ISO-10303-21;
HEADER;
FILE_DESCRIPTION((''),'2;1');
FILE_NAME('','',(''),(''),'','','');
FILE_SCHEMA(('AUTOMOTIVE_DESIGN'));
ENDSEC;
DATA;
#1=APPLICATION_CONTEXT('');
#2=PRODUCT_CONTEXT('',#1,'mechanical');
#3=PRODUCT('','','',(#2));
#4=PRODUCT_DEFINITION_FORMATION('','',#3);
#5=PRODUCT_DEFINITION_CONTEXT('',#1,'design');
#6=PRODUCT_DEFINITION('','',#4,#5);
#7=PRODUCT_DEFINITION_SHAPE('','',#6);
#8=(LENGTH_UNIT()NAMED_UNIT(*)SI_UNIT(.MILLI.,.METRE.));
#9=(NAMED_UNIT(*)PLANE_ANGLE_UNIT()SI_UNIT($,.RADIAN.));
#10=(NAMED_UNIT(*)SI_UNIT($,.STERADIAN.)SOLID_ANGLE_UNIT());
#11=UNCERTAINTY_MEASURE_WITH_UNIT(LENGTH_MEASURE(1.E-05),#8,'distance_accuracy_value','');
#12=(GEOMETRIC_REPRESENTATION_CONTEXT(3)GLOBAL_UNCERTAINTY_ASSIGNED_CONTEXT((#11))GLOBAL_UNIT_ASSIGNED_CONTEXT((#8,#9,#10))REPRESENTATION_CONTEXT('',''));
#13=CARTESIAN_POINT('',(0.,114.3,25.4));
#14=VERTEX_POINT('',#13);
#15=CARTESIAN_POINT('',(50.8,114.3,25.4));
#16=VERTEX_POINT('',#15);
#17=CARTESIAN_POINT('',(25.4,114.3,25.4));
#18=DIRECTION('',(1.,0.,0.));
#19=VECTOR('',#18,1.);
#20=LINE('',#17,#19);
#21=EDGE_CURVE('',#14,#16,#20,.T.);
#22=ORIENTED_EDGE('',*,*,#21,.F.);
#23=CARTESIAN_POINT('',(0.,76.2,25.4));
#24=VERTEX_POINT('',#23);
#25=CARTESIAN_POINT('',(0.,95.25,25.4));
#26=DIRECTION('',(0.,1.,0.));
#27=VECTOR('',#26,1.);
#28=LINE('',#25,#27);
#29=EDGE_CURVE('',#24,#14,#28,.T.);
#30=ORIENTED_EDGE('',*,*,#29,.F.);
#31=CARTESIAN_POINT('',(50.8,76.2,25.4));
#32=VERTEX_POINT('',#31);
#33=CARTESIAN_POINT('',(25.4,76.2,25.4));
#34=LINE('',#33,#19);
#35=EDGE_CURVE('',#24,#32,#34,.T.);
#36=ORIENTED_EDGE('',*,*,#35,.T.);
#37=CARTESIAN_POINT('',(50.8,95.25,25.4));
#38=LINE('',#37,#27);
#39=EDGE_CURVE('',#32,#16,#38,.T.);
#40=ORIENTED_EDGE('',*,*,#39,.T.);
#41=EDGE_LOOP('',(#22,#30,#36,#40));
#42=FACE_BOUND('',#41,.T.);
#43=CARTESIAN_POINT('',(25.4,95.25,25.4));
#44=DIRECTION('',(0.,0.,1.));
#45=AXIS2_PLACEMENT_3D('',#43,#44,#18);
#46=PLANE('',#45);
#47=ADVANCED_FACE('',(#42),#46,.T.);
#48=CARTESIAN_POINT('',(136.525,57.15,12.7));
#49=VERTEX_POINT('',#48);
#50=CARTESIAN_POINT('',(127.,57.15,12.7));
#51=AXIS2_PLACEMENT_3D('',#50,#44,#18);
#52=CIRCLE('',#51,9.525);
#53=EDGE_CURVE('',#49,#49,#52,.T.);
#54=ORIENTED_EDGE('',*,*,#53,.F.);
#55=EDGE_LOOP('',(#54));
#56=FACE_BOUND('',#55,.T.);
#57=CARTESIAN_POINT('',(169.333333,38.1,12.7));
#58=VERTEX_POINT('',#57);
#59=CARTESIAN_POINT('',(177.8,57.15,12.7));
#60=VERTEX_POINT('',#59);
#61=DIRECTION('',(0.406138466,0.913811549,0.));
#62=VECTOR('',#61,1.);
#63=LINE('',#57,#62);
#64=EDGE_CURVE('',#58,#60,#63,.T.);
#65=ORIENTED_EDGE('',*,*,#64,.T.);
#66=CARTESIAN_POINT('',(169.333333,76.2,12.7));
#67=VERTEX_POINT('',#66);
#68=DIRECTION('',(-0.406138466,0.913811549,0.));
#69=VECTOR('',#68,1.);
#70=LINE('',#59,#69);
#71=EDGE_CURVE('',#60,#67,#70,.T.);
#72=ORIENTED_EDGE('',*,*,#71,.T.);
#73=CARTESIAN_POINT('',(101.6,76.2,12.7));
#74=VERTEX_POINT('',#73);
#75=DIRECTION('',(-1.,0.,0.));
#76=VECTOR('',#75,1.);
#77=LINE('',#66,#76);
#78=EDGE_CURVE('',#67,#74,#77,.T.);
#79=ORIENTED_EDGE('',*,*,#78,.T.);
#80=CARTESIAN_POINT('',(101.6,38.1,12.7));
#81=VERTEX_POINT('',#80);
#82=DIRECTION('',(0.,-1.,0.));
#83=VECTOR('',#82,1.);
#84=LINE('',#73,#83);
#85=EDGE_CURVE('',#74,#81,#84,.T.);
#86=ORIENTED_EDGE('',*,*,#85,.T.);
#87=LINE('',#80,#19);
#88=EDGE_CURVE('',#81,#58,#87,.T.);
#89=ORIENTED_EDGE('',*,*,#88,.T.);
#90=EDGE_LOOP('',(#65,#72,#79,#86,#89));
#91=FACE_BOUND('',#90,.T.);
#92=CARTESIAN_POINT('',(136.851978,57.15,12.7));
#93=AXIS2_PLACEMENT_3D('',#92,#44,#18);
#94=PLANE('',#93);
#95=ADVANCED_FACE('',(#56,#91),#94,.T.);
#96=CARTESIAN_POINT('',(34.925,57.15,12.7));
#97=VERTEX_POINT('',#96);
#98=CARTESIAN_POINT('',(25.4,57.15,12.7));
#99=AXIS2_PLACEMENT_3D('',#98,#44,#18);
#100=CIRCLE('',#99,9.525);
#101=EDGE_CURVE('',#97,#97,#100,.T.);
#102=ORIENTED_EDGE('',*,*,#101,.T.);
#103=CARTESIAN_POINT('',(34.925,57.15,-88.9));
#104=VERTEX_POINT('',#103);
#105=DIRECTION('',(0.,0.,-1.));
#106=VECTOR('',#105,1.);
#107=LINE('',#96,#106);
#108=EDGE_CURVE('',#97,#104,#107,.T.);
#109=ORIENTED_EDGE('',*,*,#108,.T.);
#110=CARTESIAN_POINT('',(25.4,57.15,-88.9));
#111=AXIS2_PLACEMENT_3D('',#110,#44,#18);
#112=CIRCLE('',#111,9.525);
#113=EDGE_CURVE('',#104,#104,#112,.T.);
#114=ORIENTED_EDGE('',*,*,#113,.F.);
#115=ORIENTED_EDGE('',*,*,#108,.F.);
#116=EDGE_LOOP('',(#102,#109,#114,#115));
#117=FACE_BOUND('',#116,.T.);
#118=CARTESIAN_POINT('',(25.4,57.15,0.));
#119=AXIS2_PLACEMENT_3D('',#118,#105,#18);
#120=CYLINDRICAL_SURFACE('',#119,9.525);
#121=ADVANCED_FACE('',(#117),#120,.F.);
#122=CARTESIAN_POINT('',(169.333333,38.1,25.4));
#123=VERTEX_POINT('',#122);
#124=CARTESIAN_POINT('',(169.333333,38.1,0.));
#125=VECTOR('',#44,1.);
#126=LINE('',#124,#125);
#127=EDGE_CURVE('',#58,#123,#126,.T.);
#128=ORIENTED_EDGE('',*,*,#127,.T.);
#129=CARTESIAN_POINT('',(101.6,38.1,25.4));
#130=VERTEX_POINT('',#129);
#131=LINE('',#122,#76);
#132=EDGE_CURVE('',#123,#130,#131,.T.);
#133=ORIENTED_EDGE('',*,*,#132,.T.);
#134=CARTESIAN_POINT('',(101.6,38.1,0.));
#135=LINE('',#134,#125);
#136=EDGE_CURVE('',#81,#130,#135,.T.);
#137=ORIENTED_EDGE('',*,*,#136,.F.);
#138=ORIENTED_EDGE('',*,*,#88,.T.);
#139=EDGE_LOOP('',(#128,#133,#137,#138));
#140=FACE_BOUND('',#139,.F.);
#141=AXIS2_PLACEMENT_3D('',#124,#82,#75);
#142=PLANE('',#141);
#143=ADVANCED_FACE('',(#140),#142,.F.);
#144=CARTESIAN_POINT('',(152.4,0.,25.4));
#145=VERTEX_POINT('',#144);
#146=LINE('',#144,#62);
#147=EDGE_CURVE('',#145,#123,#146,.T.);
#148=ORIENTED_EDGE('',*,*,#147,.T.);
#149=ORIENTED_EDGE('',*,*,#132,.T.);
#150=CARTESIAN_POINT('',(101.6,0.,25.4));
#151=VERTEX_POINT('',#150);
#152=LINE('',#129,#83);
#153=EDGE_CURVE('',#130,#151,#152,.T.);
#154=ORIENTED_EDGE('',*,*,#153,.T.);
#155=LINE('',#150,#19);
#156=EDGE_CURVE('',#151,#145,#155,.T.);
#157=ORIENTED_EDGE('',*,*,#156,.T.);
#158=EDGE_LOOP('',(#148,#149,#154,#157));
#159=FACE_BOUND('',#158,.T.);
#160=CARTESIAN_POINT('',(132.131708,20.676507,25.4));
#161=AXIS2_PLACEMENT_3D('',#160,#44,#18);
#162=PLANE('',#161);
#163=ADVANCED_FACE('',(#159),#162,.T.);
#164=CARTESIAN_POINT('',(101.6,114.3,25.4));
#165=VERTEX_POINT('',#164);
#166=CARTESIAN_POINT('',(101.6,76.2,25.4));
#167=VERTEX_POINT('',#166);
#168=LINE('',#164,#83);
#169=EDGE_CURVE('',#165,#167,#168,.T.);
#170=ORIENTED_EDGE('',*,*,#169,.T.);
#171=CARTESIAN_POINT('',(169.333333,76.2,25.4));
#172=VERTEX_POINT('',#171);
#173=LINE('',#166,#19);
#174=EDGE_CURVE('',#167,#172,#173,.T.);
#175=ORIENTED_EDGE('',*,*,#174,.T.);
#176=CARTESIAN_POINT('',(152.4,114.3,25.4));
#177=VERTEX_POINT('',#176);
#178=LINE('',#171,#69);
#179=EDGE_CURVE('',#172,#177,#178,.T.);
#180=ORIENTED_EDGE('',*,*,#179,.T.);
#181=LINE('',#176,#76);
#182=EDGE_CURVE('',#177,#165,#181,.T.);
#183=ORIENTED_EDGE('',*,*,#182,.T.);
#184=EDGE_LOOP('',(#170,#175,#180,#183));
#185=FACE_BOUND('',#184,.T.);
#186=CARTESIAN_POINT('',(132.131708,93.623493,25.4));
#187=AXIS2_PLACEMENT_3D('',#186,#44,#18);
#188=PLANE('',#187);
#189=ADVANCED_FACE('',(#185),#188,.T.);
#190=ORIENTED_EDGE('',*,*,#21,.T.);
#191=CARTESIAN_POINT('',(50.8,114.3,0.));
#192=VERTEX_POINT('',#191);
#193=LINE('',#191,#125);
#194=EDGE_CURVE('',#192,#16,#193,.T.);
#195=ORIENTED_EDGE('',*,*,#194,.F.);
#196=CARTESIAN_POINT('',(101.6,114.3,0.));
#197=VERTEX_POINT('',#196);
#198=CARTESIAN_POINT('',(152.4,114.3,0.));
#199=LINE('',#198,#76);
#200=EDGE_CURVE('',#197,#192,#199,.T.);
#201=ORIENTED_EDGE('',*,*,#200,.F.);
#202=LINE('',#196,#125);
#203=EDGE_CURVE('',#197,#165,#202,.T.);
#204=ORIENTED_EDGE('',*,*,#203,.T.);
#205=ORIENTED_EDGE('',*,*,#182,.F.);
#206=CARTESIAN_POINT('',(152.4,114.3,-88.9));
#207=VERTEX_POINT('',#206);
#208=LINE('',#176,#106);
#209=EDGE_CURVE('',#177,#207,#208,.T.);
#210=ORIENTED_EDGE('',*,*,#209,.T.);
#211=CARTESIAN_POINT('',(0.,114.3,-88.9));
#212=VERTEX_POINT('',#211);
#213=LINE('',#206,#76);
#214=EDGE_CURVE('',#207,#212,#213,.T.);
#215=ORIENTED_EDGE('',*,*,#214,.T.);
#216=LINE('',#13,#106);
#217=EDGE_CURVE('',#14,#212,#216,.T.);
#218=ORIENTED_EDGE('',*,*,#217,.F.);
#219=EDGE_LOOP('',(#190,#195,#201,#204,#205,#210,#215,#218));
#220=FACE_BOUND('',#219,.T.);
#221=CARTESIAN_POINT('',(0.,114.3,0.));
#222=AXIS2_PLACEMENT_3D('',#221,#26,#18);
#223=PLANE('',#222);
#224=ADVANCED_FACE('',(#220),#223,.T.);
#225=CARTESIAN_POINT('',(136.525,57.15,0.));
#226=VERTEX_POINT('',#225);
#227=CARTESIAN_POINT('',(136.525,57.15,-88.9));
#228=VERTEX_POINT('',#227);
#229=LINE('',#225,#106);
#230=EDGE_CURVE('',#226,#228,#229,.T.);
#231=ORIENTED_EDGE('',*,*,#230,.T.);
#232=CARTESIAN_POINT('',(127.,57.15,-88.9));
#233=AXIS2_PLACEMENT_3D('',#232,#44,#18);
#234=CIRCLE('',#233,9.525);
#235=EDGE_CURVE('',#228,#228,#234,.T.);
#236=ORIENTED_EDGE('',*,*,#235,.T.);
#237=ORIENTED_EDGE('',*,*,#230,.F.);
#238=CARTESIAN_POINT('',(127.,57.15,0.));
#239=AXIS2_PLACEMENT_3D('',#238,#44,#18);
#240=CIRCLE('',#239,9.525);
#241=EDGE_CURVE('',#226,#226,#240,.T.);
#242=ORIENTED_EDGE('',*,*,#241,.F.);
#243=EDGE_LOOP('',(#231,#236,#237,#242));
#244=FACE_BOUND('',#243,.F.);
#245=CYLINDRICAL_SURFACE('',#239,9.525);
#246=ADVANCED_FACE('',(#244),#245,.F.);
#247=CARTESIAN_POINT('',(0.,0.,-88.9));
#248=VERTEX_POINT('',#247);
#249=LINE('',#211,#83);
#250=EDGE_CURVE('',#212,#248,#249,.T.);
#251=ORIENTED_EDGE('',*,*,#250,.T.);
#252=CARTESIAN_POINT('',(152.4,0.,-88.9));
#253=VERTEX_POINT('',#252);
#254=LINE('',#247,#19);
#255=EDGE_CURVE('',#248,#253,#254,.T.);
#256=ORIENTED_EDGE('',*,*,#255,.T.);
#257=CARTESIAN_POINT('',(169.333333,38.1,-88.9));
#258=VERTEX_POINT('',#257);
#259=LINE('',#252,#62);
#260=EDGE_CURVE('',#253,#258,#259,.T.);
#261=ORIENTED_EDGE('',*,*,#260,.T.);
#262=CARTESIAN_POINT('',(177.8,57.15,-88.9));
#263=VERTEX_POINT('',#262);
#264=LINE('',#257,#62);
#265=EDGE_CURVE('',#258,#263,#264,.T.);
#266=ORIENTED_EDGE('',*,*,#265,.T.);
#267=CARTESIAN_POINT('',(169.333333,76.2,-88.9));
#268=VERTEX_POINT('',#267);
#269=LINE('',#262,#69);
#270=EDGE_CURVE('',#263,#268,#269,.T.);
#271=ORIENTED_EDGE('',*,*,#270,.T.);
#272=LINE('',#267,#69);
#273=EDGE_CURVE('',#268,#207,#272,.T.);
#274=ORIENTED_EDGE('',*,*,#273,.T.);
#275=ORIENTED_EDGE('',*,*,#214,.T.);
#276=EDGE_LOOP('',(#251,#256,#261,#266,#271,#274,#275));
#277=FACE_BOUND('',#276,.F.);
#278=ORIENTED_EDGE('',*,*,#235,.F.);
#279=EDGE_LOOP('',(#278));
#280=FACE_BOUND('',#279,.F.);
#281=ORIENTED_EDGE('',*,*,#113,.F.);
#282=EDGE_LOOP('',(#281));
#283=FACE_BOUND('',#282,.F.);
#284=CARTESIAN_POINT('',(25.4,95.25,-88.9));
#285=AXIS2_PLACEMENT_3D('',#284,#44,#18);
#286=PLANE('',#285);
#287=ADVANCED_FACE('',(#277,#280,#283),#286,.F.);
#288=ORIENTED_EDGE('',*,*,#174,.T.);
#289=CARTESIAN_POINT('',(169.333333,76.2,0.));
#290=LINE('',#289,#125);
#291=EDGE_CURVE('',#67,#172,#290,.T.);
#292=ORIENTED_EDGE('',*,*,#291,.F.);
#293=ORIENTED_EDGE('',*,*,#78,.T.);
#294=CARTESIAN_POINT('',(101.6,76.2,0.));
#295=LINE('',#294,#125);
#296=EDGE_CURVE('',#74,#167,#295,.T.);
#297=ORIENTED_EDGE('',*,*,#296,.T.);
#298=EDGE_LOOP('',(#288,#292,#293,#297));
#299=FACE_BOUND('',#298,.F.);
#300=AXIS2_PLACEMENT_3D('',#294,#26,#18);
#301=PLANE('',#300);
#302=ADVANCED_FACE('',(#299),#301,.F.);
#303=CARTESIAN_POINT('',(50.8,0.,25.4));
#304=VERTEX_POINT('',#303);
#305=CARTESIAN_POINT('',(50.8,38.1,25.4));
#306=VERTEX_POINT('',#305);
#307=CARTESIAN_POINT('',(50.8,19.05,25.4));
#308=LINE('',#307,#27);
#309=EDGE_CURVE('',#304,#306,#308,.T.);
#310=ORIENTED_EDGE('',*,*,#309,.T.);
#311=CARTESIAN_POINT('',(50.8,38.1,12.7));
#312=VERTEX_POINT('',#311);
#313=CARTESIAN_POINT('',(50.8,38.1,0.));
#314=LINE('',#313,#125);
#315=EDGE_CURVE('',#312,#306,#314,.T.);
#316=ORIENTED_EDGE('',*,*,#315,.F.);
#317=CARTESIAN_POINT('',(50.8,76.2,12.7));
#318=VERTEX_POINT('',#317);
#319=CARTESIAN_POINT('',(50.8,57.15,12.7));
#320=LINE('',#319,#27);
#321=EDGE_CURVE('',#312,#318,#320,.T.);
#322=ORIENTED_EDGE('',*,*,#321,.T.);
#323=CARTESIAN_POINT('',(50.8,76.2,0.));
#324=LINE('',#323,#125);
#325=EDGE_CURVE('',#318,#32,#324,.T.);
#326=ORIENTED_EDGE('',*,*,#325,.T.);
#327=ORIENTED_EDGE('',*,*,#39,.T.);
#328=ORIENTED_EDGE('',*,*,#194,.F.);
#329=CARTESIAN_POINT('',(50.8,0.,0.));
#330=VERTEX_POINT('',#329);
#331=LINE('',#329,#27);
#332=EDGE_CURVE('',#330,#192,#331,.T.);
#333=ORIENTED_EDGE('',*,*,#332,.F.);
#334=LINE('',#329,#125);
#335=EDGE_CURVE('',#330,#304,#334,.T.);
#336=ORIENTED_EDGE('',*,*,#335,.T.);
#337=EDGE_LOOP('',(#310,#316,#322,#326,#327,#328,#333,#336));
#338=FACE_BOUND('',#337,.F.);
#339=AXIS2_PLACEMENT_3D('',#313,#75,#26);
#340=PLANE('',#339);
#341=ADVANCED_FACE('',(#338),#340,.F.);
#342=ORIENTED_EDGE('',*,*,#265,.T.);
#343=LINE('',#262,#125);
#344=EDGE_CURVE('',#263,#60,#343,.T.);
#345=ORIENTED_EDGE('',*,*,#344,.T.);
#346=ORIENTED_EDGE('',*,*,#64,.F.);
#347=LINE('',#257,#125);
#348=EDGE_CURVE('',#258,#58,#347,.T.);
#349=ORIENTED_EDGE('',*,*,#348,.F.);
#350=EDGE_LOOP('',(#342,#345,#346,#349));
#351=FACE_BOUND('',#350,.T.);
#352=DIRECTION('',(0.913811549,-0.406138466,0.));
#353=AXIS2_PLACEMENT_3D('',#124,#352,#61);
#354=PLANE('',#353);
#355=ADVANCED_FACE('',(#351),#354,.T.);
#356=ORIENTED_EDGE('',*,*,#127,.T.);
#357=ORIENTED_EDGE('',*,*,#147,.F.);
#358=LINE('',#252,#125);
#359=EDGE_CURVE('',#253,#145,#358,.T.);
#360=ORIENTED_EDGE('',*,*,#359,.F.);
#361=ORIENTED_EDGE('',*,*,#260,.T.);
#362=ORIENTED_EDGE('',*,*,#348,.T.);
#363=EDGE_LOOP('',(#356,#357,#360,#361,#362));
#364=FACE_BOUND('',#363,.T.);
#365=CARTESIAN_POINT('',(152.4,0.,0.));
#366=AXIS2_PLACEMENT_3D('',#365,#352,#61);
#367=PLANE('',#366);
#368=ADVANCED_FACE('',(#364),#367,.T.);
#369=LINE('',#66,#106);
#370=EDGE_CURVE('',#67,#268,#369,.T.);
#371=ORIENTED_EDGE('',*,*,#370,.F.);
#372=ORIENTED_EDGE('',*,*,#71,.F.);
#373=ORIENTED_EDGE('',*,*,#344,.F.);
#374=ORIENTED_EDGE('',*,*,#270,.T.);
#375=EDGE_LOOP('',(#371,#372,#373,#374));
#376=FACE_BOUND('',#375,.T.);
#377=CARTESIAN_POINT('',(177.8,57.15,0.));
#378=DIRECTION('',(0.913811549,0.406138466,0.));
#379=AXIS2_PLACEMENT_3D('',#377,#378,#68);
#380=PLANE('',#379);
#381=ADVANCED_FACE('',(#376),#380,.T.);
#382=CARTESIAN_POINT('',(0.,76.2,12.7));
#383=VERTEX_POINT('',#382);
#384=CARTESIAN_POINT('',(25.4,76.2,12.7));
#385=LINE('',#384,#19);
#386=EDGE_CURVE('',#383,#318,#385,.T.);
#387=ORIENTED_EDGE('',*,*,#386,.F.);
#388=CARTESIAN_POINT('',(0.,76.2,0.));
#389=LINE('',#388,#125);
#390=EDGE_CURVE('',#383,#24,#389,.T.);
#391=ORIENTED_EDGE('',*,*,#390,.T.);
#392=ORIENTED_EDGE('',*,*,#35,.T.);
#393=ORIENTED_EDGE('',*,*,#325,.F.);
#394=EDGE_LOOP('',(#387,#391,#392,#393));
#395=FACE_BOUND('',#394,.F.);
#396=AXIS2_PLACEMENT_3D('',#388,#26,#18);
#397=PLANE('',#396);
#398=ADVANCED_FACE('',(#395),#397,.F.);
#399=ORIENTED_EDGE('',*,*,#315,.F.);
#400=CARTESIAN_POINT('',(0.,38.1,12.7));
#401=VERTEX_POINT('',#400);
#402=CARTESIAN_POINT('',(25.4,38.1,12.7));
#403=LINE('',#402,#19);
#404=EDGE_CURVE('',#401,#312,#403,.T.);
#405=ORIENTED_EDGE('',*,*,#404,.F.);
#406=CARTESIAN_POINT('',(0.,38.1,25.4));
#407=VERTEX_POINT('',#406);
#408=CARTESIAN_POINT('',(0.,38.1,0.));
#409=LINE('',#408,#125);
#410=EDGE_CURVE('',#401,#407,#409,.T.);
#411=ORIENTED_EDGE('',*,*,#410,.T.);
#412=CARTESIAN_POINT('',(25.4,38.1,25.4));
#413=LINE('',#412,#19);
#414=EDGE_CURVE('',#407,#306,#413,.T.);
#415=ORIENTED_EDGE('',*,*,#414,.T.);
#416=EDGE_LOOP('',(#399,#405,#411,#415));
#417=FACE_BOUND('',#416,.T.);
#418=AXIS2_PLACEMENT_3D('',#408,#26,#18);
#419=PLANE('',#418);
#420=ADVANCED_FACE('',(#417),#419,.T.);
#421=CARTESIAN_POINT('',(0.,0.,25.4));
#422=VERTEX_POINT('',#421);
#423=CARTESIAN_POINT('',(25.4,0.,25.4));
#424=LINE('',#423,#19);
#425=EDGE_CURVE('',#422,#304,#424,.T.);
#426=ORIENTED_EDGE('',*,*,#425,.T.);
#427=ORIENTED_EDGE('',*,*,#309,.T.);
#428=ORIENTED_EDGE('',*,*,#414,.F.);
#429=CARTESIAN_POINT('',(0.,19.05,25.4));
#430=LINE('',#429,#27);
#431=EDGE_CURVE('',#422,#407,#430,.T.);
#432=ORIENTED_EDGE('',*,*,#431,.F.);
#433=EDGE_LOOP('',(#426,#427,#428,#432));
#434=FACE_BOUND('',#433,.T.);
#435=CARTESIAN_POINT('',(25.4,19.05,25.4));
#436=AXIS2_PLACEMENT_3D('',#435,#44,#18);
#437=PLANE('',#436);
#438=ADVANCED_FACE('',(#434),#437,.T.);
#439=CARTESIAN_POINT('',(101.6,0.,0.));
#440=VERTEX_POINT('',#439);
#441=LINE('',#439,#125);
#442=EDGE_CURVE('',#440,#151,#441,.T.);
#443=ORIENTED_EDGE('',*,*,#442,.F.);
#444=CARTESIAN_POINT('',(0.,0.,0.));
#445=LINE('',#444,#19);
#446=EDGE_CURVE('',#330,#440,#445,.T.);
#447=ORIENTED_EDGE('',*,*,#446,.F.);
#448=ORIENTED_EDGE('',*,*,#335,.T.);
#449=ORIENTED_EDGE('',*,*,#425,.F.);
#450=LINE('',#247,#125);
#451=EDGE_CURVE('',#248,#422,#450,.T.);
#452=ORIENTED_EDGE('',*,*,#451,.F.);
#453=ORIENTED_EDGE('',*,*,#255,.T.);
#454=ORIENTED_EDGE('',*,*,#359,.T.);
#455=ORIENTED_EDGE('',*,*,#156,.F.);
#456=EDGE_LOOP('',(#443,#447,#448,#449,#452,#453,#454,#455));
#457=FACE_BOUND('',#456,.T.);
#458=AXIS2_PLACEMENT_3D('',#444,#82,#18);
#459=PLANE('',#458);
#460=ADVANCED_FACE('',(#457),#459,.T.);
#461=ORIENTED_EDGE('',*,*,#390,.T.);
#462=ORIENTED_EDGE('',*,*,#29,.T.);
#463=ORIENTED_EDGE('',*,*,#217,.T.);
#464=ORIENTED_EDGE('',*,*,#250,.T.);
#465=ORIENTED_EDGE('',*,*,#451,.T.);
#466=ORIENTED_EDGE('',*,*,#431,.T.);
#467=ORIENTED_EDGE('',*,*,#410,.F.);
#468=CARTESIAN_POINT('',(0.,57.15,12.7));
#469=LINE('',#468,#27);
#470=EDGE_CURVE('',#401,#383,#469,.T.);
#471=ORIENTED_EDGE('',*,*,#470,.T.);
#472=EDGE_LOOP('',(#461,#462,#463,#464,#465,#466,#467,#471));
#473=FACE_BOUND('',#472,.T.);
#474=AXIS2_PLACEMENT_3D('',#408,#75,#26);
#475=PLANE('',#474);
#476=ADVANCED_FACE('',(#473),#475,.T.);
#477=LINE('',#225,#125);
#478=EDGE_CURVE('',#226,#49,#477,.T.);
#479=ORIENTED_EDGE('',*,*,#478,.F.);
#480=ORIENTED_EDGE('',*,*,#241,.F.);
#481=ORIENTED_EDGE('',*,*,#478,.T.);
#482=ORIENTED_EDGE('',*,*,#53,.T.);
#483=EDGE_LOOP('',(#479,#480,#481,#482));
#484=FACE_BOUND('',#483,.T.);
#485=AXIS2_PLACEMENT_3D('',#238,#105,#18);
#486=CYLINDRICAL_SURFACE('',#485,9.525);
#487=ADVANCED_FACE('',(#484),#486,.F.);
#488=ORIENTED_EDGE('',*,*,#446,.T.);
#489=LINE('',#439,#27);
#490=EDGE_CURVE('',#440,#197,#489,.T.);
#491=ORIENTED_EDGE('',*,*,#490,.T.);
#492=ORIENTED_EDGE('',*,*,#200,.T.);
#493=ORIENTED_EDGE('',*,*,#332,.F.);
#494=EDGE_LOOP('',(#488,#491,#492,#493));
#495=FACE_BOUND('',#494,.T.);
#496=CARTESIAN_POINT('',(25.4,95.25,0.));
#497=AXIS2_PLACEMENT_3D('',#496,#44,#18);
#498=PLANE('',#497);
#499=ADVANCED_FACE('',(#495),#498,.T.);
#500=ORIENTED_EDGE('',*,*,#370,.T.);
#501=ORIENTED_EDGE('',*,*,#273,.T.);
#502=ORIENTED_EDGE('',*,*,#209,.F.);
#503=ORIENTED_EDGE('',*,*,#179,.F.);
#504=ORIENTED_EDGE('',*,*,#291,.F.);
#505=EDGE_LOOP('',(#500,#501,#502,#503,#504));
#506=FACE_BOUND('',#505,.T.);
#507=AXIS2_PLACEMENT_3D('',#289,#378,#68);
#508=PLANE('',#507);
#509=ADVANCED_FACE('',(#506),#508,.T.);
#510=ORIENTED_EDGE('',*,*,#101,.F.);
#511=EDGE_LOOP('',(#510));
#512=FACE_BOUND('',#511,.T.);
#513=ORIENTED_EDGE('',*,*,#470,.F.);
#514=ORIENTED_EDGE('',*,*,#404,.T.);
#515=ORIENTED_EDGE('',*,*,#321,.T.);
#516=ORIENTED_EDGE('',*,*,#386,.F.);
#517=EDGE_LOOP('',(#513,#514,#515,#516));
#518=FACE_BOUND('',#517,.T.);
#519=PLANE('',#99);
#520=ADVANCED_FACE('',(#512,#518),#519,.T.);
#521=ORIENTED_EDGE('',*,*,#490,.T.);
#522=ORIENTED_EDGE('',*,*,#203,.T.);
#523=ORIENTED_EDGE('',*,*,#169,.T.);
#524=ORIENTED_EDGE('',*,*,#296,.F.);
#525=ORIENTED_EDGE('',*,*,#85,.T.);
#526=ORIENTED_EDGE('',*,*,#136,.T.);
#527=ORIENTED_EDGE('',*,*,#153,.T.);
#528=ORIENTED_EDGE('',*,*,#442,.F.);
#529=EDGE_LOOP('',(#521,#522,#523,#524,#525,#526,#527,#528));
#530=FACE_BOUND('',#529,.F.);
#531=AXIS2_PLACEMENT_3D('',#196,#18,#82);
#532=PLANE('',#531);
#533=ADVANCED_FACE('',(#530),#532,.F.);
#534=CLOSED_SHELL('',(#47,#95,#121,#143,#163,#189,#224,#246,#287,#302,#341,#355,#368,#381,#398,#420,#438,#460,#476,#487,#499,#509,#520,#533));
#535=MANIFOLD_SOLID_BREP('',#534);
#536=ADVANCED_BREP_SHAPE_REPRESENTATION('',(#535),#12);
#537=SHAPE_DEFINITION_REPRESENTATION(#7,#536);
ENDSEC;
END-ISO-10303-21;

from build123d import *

# Parameters (mm, degrees)
F0_W     = 50.8
F0_H     = 38.1
F0_R     = 9.525
F1_DEPTH = 88.9
F2_DEPTH = 25.4
F3_DEPTH = 12.7


with BuildPart() as f1:
    # F0 (on Top) → F1 (new body)
    with BuildSketch(Plane.XY):
        with Locations((25.4, 95.25)):
            Rectangle(F0_W, F0_H)
        with Locations((25.4, 57.15)):
            Rectangle(F0_W, F0_H)
        with Locations((25.4, 57.15)):
            Circle(F0_R, mode=Mode.SUBTRACT)
        with Locations((25.4, 19.05)):
            Rectangle(F0_W, F0_H)
        Polygon((101.6, 114.3), (50.8, 114.3), (50.8, 76.2), (50.8, 38.1), (50.8, 0), (101.6, 0), (101.6, 38.1), (101.6, 76.2), align=None)
        Polygon((152.4, 114.3), (101.6, 114.3), (101.6, 76.2), (169.3333333333, 76.2), align=None)
        Polygon((169.3333333333, 76.2), (101.6, 76.2), (101.6, 38.1), (169.3333333333, 38.1), (177.8, 57.15), align=None)
        with Locations((127, 57.15)):
            Circle(F0_R, mode=Mode.SUBTRACT)
        Polygon((169.3333333333, 38.1), (101.6, 38.1), (101.6, 0), (152.4, 0), align=None)
    extrude(amount=-F1_DEPTH)

    # F0 (on Top) → F2 (join)
    with BuildSketch(Plane.XY):
        with Locations((25.4, 95.25)):
            Rectangle(F0_W, F0_H)
        with Locations((25.4, 19.05)):
            Rectangle(F0_W, F0_H)
        Polygon((152.4, 114.3), (101.6, 114.3), (101.6, 76.2), (169.3333333333, 76.2), align=None)
        Polygon((169.3333333333, 38.1), (101.6, 38.1), (101.6, 0), (152.4, 0), align=None)
    extrude(amount=F2_DEPTH)

    # F0 (on Top) → F3 (join)
    with BuildSketch(Plane.XY):
        with Locations((25.4, 57.15)):
            Rectangle(F0_W, F0_H)
        with Locations((25.4, 57.15)):
            Circle(F0_R, mode=Mode.SUBTRACT)
        Polygon((169.3333333333, 76.2), (101.6, 76.2), (101.6, 38.1), (169.3333333333, 38.1), (177.8, 57.15), align=None)
        with Locations((127, 57.15)):
            Circle(F0_R, mode=Mode.SUBTRACT)
    extrude(amount=F3_DEPTH)


solid = f1.part
